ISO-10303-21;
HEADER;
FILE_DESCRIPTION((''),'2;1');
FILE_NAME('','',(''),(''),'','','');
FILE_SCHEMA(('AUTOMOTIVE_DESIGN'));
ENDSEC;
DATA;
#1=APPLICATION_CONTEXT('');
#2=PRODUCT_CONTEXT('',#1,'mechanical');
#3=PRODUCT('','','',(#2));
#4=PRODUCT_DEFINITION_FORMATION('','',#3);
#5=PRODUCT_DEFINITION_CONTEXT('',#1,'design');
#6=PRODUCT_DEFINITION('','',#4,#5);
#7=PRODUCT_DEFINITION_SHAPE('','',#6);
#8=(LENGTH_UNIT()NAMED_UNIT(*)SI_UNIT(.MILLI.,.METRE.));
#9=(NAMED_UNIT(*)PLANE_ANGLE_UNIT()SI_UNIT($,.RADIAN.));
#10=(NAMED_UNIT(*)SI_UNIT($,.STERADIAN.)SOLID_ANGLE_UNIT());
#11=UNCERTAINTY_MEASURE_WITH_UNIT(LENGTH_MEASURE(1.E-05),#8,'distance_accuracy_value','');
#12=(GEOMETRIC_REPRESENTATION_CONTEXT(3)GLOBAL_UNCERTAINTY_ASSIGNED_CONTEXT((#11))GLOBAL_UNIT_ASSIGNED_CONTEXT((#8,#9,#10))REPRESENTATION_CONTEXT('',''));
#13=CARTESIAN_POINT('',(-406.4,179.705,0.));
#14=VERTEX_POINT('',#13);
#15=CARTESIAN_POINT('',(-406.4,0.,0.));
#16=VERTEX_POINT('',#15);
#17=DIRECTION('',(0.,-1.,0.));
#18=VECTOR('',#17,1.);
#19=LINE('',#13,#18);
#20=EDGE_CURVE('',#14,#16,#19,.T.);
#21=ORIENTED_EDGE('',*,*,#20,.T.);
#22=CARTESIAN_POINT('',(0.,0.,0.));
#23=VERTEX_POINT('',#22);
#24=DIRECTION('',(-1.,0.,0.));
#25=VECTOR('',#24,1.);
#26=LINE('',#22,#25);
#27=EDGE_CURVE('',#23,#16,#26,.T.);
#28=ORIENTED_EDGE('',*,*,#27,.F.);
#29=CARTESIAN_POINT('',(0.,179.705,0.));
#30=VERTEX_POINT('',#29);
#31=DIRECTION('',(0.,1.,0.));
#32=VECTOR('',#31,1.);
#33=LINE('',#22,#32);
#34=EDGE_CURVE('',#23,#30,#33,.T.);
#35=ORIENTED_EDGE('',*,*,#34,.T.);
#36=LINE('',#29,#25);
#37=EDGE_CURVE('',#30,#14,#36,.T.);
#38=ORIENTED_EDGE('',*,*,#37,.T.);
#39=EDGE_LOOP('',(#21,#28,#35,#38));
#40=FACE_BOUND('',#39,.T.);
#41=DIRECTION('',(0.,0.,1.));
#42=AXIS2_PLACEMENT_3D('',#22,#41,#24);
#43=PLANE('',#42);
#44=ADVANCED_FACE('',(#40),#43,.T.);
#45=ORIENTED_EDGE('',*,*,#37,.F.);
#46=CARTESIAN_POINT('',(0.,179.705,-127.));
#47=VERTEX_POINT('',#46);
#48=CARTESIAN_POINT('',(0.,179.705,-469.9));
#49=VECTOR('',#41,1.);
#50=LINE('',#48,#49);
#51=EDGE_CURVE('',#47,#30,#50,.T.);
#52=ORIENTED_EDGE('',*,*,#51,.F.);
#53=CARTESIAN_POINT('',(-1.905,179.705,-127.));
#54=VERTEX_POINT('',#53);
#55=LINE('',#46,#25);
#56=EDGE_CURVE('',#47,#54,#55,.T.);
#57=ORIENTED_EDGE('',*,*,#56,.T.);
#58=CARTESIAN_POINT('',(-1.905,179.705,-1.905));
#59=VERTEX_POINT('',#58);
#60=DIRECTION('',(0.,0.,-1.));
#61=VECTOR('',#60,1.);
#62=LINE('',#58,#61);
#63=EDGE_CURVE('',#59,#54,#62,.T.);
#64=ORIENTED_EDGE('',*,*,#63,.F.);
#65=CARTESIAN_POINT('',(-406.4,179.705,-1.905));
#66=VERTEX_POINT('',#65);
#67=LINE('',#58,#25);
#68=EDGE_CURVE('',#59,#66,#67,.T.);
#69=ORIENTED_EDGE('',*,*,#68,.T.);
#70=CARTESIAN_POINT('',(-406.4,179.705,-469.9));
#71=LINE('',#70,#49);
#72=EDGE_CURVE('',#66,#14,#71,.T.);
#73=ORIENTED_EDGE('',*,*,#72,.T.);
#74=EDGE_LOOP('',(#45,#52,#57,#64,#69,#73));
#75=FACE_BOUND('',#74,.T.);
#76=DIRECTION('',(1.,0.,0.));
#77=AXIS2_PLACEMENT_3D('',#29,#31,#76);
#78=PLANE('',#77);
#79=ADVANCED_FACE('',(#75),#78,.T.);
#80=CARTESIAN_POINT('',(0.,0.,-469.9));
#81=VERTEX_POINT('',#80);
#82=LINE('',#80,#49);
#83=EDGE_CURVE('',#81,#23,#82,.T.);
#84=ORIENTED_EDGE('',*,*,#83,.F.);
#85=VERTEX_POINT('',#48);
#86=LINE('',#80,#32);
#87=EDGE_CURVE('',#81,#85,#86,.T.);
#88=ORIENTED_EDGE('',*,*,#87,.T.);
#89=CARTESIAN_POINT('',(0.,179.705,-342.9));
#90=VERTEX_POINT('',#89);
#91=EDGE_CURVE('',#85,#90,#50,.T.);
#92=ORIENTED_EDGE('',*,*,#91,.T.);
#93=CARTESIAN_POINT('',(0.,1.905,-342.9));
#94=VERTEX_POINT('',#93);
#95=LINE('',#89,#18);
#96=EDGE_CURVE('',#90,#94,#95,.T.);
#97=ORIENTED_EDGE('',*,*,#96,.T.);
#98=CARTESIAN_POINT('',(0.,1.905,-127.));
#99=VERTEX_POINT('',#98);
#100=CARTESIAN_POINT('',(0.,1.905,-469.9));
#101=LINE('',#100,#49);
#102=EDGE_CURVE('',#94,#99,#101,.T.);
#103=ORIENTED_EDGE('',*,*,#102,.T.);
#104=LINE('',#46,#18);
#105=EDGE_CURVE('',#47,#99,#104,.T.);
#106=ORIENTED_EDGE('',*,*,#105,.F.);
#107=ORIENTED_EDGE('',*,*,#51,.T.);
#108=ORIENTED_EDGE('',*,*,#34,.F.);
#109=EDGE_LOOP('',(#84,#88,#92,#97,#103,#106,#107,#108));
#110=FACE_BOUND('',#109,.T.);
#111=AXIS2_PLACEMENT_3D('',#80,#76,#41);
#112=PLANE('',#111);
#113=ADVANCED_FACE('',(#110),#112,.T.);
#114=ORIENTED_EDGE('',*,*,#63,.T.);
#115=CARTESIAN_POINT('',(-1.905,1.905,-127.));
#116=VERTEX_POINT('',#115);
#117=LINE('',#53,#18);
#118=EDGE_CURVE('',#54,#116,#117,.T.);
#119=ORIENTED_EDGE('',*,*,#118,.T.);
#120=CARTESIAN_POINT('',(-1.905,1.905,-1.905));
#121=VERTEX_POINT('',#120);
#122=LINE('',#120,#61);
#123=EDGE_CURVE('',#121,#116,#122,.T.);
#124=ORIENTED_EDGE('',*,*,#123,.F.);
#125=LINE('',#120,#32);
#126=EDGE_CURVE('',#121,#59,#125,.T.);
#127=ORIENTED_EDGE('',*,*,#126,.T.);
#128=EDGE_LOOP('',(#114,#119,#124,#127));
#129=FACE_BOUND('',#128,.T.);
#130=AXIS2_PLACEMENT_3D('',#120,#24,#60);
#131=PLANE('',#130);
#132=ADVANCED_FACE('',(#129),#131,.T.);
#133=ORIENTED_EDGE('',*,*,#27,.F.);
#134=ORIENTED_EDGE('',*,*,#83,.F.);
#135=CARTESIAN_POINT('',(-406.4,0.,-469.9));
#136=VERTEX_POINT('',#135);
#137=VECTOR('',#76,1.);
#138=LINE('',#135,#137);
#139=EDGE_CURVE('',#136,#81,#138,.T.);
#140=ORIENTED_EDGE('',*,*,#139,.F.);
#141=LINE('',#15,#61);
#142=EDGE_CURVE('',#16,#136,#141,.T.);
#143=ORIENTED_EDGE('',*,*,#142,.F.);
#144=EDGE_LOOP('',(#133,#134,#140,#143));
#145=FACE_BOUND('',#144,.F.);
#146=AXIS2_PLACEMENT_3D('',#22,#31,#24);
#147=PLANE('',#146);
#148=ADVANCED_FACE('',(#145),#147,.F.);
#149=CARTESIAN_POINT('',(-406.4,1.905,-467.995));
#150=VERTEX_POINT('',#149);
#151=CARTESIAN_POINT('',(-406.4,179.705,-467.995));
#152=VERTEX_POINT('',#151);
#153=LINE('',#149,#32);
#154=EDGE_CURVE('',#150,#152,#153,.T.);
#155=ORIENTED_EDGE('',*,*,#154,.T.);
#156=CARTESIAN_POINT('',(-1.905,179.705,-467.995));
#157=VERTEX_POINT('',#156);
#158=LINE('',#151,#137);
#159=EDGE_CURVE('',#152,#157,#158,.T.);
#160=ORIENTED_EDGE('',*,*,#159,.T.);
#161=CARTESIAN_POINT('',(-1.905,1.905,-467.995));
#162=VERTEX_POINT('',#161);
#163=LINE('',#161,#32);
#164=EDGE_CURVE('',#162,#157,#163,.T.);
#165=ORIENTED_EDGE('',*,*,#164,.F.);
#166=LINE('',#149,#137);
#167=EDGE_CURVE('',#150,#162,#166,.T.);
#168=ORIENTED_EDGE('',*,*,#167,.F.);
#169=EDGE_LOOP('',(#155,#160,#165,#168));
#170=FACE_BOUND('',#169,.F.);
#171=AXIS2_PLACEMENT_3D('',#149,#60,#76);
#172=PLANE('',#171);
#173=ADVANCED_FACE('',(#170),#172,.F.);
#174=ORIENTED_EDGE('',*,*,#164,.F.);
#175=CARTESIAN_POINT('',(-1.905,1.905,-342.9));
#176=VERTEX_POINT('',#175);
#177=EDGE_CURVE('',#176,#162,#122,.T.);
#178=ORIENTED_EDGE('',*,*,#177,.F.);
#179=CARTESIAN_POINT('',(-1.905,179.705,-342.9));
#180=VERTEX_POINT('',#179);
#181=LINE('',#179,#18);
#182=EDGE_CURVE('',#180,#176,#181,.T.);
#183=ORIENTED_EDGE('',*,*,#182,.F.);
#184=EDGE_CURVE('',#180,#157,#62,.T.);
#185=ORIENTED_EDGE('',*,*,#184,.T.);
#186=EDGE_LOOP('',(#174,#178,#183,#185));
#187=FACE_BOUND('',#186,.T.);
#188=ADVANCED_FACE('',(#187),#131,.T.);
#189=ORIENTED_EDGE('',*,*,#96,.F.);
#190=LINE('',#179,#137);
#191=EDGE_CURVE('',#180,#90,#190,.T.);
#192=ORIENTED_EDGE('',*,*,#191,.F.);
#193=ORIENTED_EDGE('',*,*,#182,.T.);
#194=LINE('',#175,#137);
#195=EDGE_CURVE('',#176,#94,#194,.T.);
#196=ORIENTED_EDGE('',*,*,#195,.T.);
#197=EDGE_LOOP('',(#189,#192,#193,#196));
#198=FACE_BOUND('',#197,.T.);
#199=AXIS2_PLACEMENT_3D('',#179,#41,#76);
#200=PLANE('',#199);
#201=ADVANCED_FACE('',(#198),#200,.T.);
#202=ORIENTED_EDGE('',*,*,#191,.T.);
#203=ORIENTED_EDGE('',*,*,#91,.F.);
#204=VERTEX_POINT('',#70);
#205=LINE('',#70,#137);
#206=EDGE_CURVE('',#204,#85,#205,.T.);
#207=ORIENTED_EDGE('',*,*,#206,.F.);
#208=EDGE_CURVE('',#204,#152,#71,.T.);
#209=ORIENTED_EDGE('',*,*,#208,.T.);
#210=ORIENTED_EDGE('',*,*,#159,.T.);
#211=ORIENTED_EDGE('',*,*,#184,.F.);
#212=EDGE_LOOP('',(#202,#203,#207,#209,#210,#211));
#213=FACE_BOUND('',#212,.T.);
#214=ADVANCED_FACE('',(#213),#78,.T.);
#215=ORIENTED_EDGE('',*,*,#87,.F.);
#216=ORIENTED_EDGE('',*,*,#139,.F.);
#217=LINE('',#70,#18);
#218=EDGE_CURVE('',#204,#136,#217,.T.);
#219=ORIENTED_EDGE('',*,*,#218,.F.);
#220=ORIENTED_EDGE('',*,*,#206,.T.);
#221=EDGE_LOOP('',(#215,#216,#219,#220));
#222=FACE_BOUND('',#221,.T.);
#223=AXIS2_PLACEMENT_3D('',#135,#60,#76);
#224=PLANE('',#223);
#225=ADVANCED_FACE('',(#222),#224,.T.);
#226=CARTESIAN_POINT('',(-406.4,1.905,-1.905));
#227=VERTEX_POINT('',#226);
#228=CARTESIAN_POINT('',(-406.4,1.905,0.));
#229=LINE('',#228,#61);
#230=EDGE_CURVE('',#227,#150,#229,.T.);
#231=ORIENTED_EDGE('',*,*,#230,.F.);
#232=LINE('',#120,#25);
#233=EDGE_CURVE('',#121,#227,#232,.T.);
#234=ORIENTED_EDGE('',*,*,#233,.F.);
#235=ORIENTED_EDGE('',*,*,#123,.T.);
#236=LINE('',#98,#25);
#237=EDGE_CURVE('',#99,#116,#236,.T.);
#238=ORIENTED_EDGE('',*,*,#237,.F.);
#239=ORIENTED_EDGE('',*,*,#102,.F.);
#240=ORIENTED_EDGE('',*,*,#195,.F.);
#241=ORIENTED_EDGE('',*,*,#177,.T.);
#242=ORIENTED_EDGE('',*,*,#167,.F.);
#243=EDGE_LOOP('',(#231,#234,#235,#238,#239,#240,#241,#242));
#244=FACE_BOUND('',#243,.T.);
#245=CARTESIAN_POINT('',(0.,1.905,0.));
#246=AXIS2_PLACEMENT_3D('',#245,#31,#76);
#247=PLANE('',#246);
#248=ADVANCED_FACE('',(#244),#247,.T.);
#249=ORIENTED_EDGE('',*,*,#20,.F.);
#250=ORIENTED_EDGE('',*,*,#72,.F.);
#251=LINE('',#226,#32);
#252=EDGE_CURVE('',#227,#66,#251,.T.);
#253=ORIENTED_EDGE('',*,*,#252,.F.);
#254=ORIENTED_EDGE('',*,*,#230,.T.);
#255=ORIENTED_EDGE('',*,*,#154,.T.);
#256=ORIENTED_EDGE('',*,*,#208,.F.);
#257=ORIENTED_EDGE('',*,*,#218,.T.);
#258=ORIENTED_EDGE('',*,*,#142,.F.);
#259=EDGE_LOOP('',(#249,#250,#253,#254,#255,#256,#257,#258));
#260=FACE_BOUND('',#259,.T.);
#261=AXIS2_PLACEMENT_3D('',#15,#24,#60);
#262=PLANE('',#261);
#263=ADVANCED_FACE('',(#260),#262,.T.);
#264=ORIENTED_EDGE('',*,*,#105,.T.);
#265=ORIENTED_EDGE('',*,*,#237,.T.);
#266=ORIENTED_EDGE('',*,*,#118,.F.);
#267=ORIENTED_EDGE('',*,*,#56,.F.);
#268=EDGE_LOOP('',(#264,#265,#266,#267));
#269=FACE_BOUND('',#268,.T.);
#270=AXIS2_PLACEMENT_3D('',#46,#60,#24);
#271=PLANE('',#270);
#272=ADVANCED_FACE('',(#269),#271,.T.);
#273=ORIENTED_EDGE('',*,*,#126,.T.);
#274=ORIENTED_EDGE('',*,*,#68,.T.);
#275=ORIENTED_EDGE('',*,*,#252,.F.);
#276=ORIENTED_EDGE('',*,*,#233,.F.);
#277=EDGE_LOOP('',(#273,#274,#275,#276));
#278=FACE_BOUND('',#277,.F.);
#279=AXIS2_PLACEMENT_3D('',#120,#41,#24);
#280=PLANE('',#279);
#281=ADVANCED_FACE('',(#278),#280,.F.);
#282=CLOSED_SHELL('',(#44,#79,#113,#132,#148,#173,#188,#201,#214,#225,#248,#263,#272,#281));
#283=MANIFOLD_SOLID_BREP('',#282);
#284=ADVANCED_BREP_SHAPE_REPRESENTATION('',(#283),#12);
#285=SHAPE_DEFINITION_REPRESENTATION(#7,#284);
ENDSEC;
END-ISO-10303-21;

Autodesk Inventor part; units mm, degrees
ref_plane "YZ Plane" through (0, 0, 0) normal (1, 0, 0) x (0, 1, 0)
ref_plane "XZ Plane" through (0, 0, 0) normal (0, 1, 0) x (-1, 0, 0)
ref_plane "XY Plane" through (0, 0, 0) normal (0, 0, 1) x (1, 0, 0)
sketch "Sketch1" plane through (0, 0, 0) normal (0, 1, 0) x (-1, 0, 0)
  line L0 (0, 0) -> (406.4, 0)
  line L1 (406.4, 0) -> (406.4, -469.9)
  line L2 (406.4, -469.9) -> (0, -469.9)
  line L3 (0, -469.9) -> (0, 0)
  dimension "d0" = 406.4
  dimension "d1" = 469.9
extrude "Extrusion1" add sketch "Sketch1" along normal blind 1.905
sketch "Sketch2" plane through (0, 1.905, 0) normal (0, 1, 0) x (1, 0, 0)
  line L0 (-406.4, 469.9) -> (-406.4, 0) projected
  line L1 (0, 0) -> (0, 469.9) projected
  line L2 (-406.4, 0) -> (0, 0)
  line L3 (0, 0) -> (0, 1.905)
  line L4 (-1.905, 1.905) -> (-406.4, 1.905)
  line L5 (-406.4, 1.905) -> (-406.4, 0)
  line L6 (0, 469.9) -> (-406.4, 469.9) projected
  line L7 (0, 0) -> (-52.705, 0)
  line L8 (-1.905, 1.905) -> (-1.905, 467.995)
  line L9 (-1.905, 469.9) -> (0, 469.9)
  line L10 (0, 469.9) -> (0, 0)
  line L11 (0, 469.9) -> (-406.4, 469.9)
  line L12 (-406.4, 469.9) -> (-406.4, 467.995)
  line L13 (-406.4, 467.995) -> (-1.905, 467.995)
  line L14 (0, 467.995) -> (0, 469.9)
  dimension "d4" = 1.905
  dimension "d5" = 1.905
  dimension "d6" = 1.905
  dimension "d13" = 1.905
extrude "Extrusion2" add sketch "Sketch2" along normal blind 177.8 contours L6 L1 L2 L0 L4 L8 L13
sketch "Sketch3" plane through (0, 179.705, 0) normal (0, 1, 0) x (1, 0, 0)
  line L0 (-1.905, 467.995) -> (-1.905, 1.905) projected
  line L1 (0, 469.9) -> (0, 0) projected
  line L2 (-1.905, 342.9) -> (0, 342.9)
  line L3 (0, 342.9) -> (0, 127)
  line L4 (0, 127) -> (-1.905, 127)
  line L5 (-1.905, 127) -> (-1.905, 342.9)
  line L6 (-406.4, 0) -> (0, 0) projected
  line L7 (0, 469.9) -> (-406.4, 469.9) projected
  dimension "d9" = 127
  dimension "d10" = 127
extrude "Extrusion3" cut sketch "Sketch3" against normal blind 177.8
properties part number "hopper_bottom2"
